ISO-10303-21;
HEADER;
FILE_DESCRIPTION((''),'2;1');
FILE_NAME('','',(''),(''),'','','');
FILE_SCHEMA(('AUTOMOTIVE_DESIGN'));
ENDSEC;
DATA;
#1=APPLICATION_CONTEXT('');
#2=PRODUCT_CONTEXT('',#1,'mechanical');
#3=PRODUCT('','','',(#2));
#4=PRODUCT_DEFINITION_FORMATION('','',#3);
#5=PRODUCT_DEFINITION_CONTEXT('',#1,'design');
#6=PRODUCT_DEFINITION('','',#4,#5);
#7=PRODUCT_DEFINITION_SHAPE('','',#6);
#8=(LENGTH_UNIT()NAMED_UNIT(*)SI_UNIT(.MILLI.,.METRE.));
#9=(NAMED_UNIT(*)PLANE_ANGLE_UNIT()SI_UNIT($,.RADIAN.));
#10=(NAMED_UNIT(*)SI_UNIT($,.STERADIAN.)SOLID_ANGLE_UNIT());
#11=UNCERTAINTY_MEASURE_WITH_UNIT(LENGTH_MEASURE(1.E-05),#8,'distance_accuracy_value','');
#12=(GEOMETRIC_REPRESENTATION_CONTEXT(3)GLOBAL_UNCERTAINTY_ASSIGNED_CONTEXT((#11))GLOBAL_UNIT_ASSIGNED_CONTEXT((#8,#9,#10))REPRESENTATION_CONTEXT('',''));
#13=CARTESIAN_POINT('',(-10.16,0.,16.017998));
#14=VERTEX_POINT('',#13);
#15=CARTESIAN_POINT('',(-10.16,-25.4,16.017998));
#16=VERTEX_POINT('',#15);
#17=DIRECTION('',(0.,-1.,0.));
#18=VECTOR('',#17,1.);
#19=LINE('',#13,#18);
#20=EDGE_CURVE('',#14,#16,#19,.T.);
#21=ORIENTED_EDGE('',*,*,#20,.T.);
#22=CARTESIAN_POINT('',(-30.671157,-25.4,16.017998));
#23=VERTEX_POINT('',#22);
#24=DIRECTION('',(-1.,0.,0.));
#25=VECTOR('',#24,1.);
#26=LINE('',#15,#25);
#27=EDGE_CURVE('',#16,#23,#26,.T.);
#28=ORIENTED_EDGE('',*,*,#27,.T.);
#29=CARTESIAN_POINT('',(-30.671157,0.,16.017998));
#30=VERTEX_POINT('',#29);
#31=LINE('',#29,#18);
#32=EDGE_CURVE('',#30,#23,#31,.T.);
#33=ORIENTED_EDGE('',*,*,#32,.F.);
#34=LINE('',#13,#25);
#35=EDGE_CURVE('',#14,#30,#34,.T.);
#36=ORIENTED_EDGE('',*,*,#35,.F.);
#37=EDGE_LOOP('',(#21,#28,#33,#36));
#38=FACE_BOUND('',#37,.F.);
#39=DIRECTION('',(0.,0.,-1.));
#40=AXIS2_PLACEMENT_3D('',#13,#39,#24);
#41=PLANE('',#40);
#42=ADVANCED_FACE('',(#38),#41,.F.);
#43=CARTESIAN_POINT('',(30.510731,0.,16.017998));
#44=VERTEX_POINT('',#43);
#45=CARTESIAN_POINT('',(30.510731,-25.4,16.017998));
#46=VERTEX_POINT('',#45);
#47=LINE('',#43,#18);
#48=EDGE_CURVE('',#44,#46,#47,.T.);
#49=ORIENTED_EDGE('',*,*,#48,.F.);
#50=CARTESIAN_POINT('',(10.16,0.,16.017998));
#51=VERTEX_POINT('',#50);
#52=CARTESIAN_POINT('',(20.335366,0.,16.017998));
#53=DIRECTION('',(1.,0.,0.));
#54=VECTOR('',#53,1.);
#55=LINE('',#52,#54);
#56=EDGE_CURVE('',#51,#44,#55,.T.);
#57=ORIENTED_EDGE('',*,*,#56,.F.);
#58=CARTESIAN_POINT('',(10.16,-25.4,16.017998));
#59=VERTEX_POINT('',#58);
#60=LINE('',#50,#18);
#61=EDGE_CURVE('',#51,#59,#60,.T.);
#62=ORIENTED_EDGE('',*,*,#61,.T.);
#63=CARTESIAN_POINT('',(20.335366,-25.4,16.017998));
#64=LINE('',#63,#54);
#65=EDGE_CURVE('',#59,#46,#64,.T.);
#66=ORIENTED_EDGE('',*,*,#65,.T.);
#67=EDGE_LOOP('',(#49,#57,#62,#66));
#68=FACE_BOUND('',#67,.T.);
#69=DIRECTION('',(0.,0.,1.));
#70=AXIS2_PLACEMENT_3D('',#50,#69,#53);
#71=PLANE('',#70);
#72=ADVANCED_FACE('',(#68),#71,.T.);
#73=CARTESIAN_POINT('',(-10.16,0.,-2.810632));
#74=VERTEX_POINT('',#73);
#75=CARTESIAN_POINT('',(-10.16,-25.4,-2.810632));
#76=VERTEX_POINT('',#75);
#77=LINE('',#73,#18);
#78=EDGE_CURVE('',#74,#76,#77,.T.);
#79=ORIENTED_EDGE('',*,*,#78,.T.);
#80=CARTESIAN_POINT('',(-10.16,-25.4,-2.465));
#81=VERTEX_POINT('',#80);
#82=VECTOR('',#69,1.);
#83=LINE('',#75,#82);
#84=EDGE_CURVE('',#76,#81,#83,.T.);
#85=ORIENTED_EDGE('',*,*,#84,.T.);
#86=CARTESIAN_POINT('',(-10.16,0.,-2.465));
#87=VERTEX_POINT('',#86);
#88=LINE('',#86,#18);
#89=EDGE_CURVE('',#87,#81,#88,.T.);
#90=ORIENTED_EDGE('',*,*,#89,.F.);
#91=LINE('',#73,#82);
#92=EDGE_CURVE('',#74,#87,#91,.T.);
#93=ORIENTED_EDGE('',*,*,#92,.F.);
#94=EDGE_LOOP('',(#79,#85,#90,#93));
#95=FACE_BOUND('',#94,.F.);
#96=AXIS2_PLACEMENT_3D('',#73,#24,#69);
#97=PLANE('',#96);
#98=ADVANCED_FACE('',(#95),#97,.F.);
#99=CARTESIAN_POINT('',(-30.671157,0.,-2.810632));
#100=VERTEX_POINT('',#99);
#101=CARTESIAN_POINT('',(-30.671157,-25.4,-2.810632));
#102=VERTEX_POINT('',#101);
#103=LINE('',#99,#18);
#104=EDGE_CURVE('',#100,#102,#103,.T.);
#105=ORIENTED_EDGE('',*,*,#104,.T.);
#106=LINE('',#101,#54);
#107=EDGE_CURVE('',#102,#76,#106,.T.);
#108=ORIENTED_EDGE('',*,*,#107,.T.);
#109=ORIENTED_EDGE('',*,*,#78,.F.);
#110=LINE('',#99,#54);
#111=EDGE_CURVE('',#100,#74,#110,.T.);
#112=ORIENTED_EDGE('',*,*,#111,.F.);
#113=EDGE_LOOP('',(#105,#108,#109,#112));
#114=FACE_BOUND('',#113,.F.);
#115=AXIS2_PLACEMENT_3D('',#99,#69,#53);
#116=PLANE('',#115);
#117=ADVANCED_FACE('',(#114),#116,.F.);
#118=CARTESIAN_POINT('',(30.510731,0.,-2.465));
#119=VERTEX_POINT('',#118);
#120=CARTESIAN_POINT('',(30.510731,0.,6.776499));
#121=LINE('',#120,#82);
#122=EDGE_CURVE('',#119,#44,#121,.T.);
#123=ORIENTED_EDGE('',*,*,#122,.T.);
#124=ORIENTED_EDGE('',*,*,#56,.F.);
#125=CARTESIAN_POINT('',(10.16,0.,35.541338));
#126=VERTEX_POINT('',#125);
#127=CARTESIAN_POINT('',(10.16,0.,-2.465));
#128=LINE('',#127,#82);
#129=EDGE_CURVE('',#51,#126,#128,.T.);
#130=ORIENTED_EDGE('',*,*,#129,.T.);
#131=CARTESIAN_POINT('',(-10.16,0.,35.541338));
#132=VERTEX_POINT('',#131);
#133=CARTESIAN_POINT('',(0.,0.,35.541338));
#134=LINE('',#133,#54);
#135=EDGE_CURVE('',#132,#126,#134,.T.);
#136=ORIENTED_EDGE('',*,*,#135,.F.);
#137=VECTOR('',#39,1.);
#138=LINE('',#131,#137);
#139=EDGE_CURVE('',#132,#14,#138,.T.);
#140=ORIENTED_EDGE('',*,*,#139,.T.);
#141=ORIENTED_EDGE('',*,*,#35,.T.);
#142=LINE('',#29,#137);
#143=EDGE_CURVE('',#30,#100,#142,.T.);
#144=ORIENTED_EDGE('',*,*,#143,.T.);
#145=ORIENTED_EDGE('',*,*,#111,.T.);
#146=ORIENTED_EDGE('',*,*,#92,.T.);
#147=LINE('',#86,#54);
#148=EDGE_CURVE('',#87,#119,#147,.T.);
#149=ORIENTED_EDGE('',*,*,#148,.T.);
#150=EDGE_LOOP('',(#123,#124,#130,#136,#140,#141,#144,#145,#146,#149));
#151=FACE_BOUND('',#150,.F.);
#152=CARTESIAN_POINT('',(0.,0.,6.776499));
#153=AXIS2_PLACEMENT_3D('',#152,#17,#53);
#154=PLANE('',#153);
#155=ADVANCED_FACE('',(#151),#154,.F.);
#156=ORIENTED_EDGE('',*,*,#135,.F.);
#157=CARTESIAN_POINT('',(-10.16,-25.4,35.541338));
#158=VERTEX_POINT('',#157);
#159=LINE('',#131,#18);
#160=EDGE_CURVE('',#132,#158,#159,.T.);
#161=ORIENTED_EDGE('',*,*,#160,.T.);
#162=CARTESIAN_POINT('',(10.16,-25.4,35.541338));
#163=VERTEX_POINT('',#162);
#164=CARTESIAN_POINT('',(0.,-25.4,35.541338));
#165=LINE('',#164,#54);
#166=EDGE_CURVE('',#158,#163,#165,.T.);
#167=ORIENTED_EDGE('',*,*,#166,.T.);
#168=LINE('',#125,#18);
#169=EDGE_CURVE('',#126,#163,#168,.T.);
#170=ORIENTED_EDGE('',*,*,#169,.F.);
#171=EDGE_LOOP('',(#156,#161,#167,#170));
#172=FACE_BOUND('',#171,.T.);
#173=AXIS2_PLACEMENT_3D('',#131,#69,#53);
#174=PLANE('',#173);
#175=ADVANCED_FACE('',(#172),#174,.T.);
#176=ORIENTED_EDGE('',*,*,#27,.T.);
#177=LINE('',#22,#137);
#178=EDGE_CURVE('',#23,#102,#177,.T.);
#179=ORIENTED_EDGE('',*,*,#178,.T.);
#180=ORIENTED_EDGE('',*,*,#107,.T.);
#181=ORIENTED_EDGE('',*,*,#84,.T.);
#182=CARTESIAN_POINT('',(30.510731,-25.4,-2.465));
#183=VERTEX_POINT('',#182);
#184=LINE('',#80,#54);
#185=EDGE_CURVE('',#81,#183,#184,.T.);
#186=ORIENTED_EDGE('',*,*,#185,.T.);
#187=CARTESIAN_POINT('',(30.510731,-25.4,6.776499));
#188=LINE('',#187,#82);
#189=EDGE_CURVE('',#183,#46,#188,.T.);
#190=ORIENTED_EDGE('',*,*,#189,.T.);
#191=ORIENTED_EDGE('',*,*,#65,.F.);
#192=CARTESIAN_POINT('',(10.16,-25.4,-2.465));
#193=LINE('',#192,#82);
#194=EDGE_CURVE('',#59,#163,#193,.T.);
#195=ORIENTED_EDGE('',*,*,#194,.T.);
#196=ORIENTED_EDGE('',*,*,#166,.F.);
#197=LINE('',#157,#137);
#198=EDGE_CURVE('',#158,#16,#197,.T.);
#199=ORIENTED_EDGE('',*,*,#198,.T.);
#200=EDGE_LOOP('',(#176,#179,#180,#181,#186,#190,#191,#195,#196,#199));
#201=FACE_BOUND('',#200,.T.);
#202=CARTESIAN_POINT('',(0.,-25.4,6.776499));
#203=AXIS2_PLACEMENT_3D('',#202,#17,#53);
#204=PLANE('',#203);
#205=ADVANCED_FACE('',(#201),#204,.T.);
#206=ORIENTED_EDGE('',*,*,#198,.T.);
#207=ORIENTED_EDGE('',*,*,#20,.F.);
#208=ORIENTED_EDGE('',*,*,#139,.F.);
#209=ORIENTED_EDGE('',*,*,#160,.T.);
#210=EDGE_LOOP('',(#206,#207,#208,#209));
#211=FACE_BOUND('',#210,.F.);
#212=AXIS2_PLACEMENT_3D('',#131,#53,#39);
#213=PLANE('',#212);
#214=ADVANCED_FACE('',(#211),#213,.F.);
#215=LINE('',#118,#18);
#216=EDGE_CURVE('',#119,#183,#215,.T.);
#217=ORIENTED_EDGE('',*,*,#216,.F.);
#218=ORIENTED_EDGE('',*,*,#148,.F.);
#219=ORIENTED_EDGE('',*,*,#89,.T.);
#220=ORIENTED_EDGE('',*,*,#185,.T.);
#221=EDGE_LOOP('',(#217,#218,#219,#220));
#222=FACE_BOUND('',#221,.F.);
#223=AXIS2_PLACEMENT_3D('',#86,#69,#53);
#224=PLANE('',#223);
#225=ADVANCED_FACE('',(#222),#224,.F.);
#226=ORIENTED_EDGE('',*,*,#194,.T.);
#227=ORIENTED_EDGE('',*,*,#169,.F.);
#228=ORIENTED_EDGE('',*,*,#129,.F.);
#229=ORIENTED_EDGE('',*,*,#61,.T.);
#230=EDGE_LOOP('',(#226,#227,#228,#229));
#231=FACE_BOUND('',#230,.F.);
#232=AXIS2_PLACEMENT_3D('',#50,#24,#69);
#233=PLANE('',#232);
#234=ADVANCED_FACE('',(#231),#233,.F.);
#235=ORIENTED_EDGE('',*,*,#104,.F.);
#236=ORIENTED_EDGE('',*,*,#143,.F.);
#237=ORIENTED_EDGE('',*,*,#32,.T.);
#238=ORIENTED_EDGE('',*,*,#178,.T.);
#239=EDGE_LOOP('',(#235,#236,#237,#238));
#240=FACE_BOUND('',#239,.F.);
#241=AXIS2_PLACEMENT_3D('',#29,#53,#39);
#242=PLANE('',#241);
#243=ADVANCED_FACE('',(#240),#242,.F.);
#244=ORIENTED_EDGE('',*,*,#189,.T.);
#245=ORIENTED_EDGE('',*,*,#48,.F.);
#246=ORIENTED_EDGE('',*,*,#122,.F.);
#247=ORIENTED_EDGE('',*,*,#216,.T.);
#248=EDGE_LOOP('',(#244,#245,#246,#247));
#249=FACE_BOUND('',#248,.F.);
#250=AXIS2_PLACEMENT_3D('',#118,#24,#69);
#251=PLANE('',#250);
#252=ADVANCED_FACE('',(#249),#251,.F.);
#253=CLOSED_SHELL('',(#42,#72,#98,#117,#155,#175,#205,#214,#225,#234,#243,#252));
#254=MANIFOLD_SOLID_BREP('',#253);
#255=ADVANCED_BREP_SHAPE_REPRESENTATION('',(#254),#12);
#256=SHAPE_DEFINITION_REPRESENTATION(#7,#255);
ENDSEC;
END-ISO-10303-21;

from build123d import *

# Parameters (mm, degrees)
F0_W     = 20.32
F0_H     = 18.4829973394
F0_H_2   = 19.5233401282
F0_W_2   = 20.3507310414
F1_DEPTH = 25.4


with BuildPart() as f1:
    # F0 (on Front) → F1 (new body)
    with BuildSketch(Plane.XZ):
        with Locations((0, 6.7764989921)):
            Rectangle(F0_W, F0_H)
        with Locations((0, 25.7796677259)):
            Rectangle(F0_W, F0_H_2)
        with Locations((20.3353655207, 6.7764989921)):
            Rectangle(F0_W_2, F0_H)
        Polygon((-10.16, -2.4649996776), (-10.16, 16.0179976618), (-30.6711569428, 16.0179976618), (-30.6711569428, -2.8106316458), (-10.16, -2.8106316458), align=None)
    extrude(amount=F1_DEPTH)


solid = f1.part
